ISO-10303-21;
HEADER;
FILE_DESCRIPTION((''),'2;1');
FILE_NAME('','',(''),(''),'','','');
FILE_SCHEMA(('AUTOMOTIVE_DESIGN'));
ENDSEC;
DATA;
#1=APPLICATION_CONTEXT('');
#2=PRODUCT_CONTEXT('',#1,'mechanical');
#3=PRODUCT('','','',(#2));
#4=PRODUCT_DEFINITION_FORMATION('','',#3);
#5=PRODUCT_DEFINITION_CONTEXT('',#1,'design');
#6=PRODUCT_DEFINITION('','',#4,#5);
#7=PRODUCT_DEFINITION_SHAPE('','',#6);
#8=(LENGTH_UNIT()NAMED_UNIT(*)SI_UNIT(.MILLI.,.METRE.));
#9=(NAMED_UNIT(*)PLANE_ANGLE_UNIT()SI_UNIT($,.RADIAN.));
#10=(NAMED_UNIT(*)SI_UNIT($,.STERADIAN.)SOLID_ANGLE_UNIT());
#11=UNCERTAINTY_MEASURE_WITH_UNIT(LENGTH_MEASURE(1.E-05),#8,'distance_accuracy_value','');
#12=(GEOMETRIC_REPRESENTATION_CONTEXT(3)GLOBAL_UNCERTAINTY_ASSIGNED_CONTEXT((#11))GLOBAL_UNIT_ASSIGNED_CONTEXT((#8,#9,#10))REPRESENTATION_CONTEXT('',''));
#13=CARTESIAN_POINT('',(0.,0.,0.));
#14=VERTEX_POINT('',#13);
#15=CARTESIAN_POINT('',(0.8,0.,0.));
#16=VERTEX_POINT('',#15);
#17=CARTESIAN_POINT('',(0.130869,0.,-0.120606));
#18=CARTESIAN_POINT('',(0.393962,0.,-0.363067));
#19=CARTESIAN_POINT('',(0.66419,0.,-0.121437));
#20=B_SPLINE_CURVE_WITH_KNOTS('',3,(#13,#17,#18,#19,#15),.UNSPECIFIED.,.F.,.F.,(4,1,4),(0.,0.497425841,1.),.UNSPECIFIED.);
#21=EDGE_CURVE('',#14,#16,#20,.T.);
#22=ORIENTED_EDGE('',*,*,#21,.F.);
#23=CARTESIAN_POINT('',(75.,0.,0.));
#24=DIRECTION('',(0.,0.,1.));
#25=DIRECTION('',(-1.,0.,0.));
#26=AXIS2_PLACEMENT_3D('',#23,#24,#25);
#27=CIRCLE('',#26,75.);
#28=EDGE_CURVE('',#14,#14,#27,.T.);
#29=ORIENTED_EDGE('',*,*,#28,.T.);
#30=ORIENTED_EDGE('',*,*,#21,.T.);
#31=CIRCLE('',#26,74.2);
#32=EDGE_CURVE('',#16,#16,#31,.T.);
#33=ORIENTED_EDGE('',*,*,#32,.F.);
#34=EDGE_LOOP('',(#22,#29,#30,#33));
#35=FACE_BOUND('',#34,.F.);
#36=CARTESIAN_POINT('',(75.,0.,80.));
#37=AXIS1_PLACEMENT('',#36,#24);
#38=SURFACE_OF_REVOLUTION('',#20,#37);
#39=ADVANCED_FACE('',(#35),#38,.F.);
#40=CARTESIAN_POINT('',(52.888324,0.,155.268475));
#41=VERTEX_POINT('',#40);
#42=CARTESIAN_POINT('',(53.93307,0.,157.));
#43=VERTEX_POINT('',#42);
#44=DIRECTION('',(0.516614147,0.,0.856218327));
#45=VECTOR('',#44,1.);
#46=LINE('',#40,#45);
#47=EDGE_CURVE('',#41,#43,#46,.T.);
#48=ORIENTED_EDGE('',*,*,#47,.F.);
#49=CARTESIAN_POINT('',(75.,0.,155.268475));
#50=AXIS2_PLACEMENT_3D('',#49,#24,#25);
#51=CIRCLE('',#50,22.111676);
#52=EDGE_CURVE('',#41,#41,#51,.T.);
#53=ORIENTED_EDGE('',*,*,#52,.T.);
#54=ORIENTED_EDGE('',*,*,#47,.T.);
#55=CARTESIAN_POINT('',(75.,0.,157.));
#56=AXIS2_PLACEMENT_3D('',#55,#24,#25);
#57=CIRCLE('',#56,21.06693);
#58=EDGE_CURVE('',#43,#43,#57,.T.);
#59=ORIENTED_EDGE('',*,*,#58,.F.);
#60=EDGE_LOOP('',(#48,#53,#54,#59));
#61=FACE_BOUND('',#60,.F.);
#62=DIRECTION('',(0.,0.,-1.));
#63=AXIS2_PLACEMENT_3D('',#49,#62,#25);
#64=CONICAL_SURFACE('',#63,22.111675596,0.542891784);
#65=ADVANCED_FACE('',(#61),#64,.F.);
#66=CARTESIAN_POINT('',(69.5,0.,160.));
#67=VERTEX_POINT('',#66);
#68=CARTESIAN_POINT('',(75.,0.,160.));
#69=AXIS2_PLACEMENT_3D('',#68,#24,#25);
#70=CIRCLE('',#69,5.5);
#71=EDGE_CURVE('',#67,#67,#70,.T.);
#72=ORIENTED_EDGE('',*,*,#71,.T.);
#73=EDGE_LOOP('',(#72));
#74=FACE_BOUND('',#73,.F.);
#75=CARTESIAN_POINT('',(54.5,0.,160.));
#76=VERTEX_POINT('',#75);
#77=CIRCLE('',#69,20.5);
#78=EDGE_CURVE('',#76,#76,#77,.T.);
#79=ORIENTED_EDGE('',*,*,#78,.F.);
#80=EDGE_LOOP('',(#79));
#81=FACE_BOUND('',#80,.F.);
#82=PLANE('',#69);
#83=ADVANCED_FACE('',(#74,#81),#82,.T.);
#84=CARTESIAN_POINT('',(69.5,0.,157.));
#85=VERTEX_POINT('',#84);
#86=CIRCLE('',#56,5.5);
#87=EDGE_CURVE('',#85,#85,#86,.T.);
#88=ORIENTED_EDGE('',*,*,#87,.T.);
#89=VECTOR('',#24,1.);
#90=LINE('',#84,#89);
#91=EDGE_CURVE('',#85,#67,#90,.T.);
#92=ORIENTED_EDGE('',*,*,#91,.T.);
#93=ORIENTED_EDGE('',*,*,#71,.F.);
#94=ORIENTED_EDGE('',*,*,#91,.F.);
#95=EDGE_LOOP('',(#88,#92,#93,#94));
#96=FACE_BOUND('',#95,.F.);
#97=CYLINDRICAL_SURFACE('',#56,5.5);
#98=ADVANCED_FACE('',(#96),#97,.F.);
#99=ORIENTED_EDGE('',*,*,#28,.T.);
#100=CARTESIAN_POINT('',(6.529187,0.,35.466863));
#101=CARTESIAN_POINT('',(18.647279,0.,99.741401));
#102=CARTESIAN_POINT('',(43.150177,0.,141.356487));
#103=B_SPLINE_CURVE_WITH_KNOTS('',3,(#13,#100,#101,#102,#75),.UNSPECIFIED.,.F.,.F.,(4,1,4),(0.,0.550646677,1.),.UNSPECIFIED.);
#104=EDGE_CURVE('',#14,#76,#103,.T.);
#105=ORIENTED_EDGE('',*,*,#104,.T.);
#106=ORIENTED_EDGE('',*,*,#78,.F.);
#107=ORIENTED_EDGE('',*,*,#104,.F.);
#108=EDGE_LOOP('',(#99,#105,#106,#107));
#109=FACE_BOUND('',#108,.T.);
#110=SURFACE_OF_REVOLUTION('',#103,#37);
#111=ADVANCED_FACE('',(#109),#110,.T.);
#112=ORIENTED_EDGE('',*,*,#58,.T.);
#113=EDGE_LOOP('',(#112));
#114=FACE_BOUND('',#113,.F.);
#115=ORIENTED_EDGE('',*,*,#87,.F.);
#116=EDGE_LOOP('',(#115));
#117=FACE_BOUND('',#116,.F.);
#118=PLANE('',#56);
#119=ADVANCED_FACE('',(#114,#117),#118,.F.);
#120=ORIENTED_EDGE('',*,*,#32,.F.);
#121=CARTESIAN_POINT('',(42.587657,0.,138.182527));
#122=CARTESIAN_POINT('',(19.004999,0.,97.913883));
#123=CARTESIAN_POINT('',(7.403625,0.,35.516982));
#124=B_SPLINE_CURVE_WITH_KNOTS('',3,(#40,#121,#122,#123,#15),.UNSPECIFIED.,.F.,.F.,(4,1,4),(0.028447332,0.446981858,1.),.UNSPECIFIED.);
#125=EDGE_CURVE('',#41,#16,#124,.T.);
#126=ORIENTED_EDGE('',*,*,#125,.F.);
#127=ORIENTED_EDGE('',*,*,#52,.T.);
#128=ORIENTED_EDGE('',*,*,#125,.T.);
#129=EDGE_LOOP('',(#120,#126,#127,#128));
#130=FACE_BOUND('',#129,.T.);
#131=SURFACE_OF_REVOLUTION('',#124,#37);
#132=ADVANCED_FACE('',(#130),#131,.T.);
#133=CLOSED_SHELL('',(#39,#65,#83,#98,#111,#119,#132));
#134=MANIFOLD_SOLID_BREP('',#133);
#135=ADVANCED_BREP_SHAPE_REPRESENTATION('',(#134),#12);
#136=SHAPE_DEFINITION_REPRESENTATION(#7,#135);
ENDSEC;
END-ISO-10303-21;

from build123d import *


with BuildPart() as f1:
    # F0 (on Front) → F1 (revolve)
    with BuildSketch(Plane.XZ):
        with BuildLine():
            add(Edge.make_bspline(
                [(0, 0), (6.5291868842, 35.4668631952), (18.6472793011, 99.7414014489), (43.1501770059, 141.3564868386), (54.5, 160)],
                knots=[0, 0, 0, 0, 0.5506466768, 1, 1, 1, 1], degree=3))
            add(Edge.make_bspline(
                [(0, 0), (0.1308692748, -0.1206062597), (0.3939623113, -0.3630670446), (0.6641903637, -0.121437011), (0.8, 0)],
                knots=[0, 0, 0, 0, 0.4974258406, 1, 1, 1, 1], degree=3))
            add(Edge.make_bspline(
                [(52.8883244039, 155.2684753143), (42.5876573247, 138.1825267382), (19.0049986854, 97.9138826849), (7.4036254141, 35.5169816417), (0.8, 0)],
                knots=[0.028447332, 0.028447332, 0.028447332, 0.028447332, 0.4469818582, 1, 1, 1, 1], degree=3))
            add(Edge.make_bspline(
                [(53.9330697915, 157), (53.5847132821, 156.4230246568), (53.2364380328, 155.8458992341), (52.8883244039, 155.2684753143)],
                knots=[0.0143028527, 0.0143028527, 0.0143028527, 0.0143028527, 0.028447332, 0.028447332, 0.028447332, 0.028447332], degree=3))
            Line((53.9330697915, 157), (69.5, 157))
            Line((69.5, 157), (69.5, 160))
            Line((69.5, 160), (54.5, 160))
        make_face()
        with BuildLine():
            add(Edge.make_bspline(
                [(53.9330697915, 157), (53.5847132821, 156.4230246568), (53.2364380328, 155.8458992341), (52.8883244039, 155.2684753143)],
                knots=[0.0143028527, 0.0143028527, 0.0143028527, 0.0143028527, 0.028447332, 0.028447332, 0.028447332, 0.028447332], degree=3))
            Line((52.8883244039, 155.2684753143), (53.9330697915, 157))
        make_face()
    revolve(axis=Axis((75, 0, 80), (0, 0, 1)))


solid = f1.part
